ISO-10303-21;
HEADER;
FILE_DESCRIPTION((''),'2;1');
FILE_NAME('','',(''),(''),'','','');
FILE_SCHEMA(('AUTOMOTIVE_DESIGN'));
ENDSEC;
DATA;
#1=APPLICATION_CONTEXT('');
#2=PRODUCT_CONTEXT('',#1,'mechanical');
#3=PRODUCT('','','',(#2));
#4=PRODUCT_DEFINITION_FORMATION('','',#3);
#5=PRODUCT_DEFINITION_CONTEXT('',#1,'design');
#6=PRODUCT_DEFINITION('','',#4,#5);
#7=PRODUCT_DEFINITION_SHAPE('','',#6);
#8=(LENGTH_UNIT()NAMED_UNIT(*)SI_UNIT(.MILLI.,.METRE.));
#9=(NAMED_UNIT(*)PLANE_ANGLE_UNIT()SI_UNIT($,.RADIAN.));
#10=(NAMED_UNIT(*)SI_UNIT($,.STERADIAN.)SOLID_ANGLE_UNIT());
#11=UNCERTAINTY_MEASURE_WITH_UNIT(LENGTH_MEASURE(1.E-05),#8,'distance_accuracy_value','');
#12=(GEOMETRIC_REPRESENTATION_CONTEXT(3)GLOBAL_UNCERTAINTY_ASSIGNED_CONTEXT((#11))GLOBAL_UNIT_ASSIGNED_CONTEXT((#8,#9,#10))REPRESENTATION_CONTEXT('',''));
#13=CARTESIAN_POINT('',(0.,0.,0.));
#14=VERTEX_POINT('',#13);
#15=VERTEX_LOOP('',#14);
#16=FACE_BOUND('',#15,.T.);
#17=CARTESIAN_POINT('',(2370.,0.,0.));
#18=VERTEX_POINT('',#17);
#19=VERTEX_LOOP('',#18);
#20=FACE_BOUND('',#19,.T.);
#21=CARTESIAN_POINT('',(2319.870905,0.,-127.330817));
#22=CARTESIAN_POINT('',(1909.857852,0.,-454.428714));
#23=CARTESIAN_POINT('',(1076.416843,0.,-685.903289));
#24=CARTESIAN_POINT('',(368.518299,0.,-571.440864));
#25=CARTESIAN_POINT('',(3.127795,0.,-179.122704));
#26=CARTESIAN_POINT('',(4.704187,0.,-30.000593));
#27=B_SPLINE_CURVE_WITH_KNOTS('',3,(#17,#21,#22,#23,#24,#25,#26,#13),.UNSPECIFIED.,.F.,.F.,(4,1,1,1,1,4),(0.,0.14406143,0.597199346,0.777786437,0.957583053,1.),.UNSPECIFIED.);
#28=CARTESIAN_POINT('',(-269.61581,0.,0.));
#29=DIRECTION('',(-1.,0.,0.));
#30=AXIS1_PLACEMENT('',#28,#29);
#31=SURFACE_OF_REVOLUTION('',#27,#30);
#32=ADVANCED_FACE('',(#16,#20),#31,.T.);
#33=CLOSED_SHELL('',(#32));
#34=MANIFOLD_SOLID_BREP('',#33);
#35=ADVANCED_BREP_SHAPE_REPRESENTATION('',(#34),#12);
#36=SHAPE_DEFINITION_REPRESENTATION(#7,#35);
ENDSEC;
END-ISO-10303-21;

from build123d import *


with BuildPart() as part:
    # Esquisse1 → Révolution1 (revolve)
    with BuildSketch(Plane(origin=(0, 0, 0), x_dir=(1, 0, 0), z_dir=(0, 1, 0))):
        with BuildLine():
            Line((0, 0), (2370, 0))
            add(Edge.make_bspline(
                [(0, 0), (4.704187229, 30.000593164), (3.127794612, 179.122704388), (368.51829936, 571.440863917), (1076.416842801, 685.903289483), (1909.857851842, 454.428714377), (2319.870904682, 127.330816596), (2370, 0)],
                knots=[0, 0, 0, 0, 0.042416947, 0.222213563, 0.402800654, 0.85593857, 1, 1, 1, 1], degree=3))
        make_face()
    revolve(axis=Axis((-269.615809876, 0, 0), (1, 0, 0)))


solid = part.part
